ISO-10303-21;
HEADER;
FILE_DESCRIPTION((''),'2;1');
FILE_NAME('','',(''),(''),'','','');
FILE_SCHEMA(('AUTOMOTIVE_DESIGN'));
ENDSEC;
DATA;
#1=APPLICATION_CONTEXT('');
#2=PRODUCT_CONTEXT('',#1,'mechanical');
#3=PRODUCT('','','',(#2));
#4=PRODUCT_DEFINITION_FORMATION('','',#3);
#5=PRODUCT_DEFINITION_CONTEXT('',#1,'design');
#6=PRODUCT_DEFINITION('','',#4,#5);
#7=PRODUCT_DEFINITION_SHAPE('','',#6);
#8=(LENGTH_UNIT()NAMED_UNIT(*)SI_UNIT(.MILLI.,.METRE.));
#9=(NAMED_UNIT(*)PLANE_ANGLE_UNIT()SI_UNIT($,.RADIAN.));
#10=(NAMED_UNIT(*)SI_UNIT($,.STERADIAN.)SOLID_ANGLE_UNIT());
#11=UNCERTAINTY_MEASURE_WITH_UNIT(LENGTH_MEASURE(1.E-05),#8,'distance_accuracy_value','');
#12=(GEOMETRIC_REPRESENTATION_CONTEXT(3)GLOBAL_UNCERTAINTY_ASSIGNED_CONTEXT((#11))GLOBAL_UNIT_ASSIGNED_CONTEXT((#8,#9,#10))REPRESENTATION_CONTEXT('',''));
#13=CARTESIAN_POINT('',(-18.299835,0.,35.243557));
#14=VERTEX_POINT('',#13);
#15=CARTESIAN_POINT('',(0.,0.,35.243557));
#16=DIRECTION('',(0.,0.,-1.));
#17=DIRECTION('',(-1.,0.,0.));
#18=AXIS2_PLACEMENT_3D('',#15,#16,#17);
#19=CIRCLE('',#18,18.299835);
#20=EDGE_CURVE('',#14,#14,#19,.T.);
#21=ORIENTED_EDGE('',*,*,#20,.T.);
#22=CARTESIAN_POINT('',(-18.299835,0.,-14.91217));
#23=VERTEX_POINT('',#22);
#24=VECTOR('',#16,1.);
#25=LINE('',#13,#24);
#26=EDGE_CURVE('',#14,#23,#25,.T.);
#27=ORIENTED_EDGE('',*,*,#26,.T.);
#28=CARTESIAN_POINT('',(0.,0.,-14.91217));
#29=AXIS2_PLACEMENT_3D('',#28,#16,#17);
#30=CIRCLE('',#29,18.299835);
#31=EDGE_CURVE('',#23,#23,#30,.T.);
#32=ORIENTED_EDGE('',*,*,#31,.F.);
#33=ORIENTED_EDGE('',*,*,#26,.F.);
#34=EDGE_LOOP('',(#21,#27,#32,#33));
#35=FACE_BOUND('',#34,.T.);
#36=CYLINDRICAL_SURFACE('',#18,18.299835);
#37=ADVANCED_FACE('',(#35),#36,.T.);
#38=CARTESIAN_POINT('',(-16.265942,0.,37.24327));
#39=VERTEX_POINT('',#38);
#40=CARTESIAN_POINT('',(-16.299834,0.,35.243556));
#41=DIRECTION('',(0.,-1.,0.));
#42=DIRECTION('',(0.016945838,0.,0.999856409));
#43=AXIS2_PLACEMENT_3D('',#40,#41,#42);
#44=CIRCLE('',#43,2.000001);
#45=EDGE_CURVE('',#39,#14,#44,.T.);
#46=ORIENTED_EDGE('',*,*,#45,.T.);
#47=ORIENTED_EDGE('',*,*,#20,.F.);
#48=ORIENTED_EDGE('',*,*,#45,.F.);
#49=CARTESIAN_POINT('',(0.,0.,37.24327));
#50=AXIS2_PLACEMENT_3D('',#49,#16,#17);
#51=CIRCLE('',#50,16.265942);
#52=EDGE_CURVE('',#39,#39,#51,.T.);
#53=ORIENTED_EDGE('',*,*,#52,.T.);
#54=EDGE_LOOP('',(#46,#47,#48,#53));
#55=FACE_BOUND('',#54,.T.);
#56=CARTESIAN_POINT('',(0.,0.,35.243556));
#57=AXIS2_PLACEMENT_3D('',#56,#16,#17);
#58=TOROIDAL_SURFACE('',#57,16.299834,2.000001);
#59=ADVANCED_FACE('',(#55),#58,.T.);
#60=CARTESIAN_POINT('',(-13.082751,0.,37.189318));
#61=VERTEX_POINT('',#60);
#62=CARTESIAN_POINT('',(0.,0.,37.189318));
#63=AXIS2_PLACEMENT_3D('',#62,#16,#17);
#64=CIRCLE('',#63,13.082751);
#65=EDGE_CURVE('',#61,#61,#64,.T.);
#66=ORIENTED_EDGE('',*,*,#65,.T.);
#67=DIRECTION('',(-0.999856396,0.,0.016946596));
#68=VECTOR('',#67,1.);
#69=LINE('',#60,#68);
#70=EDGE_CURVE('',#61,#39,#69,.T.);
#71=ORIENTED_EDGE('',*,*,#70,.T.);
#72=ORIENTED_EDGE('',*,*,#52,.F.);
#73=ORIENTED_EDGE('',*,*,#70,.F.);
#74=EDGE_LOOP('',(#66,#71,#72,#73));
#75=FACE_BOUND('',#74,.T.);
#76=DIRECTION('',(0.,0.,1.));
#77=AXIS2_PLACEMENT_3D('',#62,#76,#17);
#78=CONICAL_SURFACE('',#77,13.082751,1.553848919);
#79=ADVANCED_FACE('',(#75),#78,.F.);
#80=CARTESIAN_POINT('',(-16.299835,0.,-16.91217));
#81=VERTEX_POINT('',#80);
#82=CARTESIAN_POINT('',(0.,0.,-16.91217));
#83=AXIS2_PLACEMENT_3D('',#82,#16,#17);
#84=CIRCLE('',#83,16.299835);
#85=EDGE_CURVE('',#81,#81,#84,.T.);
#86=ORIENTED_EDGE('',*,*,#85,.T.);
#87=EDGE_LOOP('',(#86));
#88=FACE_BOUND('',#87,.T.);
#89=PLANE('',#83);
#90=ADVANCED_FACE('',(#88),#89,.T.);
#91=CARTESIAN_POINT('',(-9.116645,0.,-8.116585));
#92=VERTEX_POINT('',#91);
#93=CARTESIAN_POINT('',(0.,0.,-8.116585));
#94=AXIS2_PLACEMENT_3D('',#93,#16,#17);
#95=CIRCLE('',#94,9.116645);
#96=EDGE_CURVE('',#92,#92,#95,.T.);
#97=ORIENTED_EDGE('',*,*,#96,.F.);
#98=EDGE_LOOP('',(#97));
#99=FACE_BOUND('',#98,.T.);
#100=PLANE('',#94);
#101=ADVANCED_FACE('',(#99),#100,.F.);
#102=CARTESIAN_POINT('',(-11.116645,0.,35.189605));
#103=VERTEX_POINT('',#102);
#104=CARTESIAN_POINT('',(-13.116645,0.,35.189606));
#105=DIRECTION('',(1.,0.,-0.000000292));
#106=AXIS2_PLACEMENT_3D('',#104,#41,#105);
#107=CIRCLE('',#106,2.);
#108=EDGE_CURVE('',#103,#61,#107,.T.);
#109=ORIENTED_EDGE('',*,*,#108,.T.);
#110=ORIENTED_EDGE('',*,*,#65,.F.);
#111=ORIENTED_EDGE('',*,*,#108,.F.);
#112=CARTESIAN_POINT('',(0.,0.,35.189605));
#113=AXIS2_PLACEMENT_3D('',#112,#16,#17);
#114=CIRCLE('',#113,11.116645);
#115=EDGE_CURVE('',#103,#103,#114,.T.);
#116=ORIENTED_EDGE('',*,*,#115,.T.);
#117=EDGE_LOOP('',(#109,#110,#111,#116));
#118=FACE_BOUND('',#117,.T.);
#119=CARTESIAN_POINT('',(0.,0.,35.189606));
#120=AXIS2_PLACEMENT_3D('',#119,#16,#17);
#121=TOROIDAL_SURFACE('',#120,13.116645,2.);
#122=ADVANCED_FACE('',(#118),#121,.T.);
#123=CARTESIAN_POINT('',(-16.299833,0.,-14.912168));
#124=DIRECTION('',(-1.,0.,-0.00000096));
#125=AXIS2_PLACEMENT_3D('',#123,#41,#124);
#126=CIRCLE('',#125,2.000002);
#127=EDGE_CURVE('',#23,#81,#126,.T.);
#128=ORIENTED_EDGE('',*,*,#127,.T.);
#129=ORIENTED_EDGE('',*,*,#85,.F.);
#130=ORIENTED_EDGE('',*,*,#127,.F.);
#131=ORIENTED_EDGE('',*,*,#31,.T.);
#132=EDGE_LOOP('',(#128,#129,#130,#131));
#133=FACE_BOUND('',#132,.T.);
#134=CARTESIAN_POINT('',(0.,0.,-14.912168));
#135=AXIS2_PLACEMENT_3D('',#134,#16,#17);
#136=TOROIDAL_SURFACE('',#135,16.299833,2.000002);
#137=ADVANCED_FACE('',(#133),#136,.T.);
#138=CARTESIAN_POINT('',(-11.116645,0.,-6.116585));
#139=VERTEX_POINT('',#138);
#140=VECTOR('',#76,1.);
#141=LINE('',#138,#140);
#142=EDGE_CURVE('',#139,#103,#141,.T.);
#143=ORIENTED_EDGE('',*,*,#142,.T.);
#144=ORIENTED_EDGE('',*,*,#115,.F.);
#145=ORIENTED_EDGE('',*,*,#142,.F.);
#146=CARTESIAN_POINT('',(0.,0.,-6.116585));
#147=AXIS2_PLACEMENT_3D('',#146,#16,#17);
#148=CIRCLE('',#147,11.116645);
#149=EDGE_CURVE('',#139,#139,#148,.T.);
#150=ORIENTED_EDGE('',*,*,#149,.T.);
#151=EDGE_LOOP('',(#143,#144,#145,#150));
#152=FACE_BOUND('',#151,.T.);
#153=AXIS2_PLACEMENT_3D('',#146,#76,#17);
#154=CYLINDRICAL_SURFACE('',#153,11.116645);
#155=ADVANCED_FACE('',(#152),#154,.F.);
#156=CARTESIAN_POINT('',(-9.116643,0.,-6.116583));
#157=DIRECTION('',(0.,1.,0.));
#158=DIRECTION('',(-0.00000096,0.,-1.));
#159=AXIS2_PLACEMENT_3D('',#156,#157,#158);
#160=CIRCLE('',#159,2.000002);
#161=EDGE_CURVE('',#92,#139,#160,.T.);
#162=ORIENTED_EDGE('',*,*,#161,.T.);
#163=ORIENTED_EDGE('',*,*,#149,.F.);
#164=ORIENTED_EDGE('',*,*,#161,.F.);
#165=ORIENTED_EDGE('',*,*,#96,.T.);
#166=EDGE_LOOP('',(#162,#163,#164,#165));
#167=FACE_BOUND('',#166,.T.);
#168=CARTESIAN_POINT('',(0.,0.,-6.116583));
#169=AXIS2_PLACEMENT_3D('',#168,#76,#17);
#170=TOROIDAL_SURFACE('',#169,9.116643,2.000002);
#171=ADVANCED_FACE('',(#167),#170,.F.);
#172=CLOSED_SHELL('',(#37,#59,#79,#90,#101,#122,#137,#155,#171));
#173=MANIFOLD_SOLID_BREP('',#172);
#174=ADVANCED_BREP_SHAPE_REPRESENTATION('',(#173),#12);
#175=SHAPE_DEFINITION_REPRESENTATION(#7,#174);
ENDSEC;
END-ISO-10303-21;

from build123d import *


with BuildPart() as f1:
    # F0 (on Front) → F1 (revolve)
    with BuildSketch(Plane.XZ):
        with BuildLine():
            ThreePointArc((-16.265942, 37.24327), (-17.702014, 36.669703), (-18.299835, 35.243557))
            Line((-18.299835, 35.243557), (-18.299835, -14.91217))
            ThreePointArc((-18.299835, -14.91217), (-17.714048, -16.326383), (-16.299835, -16.91217))
            Line((-16.299835, -16.91217), (0, -16.91217))
            Line((0, -16.91217), (0, -8.116585))
            Line((0, -8.116585), (-9.116645, -8.116585))
            ThreePointArc((-9.116645, -8.116585), (-10.530858, -7.530798), (-11.116645, -6.116585))
            Line((-11.116645, -6.116585), (-11.116645, 35.189605))
            ThreePointArc((-11.116645, 35.189605), (-11.690498, 36.591784), (-13.082751, 37.189318))
            Line((-13.082751, 37.189318), (-16.265942, 37.24327))
        make_face()
    revolve(axis=Axis((0, 0, 10.792887), (0, 0, -1)))


solid = f1.part
